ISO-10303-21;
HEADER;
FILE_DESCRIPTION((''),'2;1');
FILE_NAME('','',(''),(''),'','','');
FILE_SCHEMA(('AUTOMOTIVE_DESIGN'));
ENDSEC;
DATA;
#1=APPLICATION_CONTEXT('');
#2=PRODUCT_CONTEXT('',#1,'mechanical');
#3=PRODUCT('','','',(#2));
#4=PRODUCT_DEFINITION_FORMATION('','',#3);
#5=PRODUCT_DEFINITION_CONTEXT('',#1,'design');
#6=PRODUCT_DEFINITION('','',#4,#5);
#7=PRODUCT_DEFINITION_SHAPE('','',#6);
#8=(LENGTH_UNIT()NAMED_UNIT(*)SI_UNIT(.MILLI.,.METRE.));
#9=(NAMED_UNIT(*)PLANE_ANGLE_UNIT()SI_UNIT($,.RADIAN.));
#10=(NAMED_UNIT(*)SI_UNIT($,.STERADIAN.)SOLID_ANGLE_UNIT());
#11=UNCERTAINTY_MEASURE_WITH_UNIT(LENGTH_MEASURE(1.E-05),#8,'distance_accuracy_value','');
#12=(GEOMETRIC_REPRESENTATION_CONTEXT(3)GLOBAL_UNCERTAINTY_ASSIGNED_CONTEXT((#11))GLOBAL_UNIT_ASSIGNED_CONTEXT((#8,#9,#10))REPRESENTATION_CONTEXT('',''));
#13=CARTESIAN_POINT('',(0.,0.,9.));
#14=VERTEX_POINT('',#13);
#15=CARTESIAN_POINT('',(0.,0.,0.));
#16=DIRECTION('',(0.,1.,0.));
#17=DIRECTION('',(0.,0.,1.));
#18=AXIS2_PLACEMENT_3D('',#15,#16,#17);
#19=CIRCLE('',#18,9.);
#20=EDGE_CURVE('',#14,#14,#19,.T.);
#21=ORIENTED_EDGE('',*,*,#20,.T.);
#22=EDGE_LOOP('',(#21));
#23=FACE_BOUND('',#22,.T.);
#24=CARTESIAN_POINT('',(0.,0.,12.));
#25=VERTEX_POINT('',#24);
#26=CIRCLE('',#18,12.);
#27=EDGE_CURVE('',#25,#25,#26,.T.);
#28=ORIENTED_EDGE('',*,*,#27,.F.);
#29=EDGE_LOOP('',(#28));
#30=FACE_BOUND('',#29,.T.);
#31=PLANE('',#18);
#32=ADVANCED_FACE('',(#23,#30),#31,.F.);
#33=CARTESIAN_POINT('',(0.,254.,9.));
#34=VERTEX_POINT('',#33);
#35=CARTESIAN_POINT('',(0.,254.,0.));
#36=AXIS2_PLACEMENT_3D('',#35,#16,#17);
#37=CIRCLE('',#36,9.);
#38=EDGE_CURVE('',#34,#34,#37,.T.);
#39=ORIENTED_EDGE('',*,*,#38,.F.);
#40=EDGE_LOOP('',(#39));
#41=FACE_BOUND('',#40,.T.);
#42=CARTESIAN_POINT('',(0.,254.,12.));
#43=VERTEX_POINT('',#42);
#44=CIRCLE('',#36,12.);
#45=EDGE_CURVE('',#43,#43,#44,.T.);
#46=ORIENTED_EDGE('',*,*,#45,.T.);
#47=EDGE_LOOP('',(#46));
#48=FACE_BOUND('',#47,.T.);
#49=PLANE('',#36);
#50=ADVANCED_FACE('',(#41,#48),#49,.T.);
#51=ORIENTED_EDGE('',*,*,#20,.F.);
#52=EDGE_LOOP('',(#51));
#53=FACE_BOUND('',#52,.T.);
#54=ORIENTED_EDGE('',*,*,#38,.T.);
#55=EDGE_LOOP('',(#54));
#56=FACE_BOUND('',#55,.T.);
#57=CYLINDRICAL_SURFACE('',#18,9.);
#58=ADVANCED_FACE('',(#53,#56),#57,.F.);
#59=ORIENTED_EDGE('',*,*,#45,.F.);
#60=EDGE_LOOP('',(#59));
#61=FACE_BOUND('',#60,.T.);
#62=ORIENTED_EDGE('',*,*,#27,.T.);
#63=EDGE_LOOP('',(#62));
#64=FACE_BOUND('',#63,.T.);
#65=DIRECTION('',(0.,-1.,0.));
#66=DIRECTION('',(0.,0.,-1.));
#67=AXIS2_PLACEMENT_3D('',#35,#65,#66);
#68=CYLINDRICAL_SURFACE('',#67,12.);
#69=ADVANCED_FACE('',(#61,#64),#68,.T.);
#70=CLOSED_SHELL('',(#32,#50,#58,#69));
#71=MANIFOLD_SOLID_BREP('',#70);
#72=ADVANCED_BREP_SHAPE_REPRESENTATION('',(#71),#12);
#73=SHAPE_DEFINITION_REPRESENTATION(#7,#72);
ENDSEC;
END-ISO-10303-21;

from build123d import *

# Parameters (mm, degrees)
SKETCH1_R           = 12
BOSS_EXTRUDE1_DEPTH = 254
SKETCH2_R           = 9
CUT_EXTRUDE1_DEPTH  = 254


with BuildPart() as part:
    # Sketch1 → Boss-Extrude1 (new body)
    with BuildSketch(Plane(origin=(0, 0, 0), x_dir=(1, 0, 0), z_dir=(0, 1, 0))):
        with Locations(Location((0, 0, 0), (0, 0, 270))):
            Circle(SKETCH1_R)
    extrude(amount=BOSS_EXTRUDE1_DEPTH)

    # Sketch2 → Cut-Extrude1 (cut)
    with BuildSketch(Plane(origin=(0, 254, 0), x_dir=(1, 0, 0), z_dir=(0, 1, 0))):
        with Locations(Location((0, 0, 0), (0, 0, 270))):
            Circle(SKETCH2_R)
    extrude(amount=-CUT_EXTRUDE1_DEPTH, mode=Mode.SUBTRACT)


solid = part.part
